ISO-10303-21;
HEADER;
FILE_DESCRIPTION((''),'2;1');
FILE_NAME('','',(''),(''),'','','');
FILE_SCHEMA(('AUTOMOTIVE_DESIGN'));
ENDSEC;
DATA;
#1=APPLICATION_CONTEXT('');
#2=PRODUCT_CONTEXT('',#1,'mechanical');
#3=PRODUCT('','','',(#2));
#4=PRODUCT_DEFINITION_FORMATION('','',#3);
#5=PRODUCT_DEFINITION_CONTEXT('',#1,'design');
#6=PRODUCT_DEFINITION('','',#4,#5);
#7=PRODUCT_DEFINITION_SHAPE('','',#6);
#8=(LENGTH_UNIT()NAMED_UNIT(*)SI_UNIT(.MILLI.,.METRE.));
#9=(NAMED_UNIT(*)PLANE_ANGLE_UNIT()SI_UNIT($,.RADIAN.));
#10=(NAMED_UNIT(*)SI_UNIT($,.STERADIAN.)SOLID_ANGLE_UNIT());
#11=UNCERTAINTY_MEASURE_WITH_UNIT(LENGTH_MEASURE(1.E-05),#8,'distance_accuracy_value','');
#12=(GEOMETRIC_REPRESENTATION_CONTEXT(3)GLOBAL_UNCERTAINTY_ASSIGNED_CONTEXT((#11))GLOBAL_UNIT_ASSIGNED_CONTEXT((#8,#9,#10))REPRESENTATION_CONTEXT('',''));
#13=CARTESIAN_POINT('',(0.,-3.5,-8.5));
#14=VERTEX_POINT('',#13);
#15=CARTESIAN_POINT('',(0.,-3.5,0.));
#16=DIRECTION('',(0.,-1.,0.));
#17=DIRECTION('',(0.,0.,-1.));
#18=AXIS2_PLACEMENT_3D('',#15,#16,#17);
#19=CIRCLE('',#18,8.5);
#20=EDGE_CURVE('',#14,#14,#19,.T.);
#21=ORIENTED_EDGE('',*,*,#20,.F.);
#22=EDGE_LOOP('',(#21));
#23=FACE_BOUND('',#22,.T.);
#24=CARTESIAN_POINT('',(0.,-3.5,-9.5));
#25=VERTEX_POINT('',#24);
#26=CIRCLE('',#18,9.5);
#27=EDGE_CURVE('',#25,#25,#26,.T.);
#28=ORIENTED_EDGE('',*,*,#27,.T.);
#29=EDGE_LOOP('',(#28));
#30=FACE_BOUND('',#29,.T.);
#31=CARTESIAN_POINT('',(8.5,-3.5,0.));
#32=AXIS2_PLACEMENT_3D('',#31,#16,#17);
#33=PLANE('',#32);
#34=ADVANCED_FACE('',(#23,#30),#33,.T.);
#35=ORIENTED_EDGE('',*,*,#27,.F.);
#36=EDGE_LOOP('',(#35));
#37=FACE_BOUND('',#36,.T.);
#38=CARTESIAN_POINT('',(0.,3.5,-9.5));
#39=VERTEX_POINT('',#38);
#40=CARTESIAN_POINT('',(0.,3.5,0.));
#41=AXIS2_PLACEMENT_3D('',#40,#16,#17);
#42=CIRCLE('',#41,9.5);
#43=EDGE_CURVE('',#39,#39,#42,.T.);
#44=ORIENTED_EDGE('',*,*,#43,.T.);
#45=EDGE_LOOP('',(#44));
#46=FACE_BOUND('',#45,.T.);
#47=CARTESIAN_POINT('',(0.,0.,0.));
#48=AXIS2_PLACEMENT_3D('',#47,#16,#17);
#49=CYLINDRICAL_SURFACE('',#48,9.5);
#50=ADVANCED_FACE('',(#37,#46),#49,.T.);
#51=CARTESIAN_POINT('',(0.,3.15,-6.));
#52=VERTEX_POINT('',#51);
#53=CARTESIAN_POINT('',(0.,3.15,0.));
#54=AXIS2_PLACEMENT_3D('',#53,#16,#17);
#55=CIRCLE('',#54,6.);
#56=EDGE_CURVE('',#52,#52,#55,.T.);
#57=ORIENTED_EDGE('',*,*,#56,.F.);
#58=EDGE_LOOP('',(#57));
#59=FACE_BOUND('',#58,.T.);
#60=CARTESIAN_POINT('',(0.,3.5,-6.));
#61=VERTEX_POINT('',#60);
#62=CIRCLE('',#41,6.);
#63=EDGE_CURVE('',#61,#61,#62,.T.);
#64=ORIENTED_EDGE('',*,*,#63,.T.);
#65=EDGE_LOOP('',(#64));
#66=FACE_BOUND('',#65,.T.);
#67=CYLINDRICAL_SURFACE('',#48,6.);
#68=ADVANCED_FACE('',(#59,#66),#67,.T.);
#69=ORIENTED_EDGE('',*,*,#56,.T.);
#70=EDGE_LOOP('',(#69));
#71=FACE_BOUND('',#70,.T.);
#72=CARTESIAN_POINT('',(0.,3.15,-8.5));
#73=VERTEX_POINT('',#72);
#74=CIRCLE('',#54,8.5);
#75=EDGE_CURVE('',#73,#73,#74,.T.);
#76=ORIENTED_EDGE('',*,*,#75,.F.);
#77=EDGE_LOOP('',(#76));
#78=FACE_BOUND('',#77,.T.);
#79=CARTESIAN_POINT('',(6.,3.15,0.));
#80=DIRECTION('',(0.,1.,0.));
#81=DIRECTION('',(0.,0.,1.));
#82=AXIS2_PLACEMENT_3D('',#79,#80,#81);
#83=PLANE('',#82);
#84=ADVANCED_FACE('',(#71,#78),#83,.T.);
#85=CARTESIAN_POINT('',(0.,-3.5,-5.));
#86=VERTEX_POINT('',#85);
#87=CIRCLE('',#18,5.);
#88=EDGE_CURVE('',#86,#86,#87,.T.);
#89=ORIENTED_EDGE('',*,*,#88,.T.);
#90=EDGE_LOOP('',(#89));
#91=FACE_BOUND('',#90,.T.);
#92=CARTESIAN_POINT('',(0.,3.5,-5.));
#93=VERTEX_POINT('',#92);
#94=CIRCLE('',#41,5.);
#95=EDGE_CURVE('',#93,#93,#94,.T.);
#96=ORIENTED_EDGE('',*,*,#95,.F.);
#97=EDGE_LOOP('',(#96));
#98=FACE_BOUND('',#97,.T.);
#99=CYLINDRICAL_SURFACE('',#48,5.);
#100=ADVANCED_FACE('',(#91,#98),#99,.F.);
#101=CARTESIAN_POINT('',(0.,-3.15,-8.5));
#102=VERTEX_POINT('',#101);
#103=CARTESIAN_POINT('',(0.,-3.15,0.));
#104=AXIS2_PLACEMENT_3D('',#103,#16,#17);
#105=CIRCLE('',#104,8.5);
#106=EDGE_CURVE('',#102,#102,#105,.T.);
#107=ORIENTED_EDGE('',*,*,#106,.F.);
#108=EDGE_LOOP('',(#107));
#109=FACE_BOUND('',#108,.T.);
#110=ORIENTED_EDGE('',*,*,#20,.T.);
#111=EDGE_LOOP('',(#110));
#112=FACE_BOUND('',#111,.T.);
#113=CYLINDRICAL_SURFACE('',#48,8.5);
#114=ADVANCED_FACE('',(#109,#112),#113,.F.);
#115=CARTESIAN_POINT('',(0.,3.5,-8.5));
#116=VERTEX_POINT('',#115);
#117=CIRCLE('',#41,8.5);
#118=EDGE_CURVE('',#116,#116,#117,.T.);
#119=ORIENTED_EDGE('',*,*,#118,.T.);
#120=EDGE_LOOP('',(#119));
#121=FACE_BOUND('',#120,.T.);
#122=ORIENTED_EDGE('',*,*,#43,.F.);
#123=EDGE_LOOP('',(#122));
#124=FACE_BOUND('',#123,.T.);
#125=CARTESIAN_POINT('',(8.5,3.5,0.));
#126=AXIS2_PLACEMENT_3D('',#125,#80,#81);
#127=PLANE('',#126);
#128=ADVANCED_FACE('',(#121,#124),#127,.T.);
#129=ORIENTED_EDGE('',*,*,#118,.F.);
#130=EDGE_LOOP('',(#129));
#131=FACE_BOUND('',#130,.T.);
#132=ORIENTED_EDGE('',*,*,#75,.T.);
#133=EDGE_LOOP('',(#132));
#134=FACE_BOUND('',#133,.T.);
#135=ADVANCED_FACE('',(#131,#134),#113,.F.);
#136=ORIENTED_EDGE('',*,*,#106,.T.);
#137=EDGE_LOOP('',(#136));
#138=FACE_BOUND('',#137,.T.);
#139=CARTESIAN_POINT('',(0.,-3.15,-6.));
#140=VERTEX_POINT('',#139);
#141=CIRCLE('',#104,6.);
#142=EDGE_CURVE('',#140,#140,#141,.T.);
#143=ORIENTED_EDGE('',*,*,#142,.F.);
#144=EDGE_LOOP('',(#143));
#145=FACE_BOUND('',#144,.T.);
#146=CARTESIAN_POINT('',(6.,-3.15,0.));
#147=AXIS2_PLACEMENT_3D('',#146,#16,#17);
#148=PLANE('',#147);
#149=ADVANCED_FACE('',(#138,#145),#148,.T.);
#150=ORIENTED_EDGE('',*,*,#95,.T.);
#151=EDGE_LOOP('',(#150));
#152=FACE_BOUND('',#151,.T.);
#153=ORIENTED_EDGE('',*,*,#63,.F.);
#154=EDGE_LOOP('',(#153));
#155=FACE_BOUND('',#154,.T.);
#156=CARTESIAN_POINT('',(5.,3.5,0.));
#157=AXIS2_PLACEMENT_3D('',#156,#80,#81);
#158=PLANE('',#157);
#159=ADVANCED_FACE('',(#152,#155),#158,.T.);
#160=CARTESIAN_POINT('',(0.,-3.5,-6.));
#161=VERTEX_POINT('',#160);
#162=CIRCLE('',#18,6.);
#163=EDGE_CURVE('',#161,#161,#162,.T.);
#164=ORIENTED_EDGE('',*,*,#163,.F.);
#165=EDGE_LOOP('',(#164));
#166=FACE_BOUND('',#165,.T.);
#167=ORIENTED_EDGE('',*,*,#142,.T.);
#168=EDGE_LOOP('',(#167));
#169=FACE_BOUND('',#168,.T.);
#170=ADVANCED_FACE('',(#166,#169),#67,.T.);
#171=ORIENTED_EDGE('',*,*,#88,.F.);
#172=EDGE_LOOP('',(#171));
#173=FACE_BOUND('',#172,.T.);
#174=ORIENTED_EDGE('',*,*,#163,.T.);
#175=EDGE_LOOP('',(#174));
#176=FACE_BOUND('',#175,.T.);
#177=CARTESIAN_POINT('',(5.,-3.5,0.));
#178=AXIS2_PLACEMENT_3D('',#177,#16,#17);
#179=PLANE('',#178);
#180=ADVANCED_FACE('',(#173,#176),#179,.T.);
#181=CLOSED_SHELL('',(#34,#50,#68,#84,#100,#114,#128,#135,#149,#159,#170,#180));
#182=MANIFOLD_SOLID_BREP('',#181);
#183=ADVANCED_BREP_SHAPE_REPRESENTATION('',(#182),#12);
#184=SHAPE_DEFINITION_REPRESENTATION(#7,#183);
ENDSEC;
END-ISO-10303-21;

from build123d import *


with BuildPart() as part:
    # 草图2 → 旋转1 (revolve)
    with BuildSketch(Plane.XY, mode=Mode.PRIVATE) as revolve_1_sk:
        Polygon((5, 3.5), (5, -3.5), (6, -3.5), (6, -3.15), (8.5, -3.15), (8.5, -3.5), (9.5, -3.5), (9.5, 3.5), (8.5, 3.5), (8.5, 3.15), (6, 3.15), (6, 3.5), align=None)
    revolve(revolve_1_sk.sketch.rotate(Axis((0, 0, 0), (0, 1, 0)), 90), axis=Axis((0, 0, 0), (0, 1, 0)))


solid = part.part
